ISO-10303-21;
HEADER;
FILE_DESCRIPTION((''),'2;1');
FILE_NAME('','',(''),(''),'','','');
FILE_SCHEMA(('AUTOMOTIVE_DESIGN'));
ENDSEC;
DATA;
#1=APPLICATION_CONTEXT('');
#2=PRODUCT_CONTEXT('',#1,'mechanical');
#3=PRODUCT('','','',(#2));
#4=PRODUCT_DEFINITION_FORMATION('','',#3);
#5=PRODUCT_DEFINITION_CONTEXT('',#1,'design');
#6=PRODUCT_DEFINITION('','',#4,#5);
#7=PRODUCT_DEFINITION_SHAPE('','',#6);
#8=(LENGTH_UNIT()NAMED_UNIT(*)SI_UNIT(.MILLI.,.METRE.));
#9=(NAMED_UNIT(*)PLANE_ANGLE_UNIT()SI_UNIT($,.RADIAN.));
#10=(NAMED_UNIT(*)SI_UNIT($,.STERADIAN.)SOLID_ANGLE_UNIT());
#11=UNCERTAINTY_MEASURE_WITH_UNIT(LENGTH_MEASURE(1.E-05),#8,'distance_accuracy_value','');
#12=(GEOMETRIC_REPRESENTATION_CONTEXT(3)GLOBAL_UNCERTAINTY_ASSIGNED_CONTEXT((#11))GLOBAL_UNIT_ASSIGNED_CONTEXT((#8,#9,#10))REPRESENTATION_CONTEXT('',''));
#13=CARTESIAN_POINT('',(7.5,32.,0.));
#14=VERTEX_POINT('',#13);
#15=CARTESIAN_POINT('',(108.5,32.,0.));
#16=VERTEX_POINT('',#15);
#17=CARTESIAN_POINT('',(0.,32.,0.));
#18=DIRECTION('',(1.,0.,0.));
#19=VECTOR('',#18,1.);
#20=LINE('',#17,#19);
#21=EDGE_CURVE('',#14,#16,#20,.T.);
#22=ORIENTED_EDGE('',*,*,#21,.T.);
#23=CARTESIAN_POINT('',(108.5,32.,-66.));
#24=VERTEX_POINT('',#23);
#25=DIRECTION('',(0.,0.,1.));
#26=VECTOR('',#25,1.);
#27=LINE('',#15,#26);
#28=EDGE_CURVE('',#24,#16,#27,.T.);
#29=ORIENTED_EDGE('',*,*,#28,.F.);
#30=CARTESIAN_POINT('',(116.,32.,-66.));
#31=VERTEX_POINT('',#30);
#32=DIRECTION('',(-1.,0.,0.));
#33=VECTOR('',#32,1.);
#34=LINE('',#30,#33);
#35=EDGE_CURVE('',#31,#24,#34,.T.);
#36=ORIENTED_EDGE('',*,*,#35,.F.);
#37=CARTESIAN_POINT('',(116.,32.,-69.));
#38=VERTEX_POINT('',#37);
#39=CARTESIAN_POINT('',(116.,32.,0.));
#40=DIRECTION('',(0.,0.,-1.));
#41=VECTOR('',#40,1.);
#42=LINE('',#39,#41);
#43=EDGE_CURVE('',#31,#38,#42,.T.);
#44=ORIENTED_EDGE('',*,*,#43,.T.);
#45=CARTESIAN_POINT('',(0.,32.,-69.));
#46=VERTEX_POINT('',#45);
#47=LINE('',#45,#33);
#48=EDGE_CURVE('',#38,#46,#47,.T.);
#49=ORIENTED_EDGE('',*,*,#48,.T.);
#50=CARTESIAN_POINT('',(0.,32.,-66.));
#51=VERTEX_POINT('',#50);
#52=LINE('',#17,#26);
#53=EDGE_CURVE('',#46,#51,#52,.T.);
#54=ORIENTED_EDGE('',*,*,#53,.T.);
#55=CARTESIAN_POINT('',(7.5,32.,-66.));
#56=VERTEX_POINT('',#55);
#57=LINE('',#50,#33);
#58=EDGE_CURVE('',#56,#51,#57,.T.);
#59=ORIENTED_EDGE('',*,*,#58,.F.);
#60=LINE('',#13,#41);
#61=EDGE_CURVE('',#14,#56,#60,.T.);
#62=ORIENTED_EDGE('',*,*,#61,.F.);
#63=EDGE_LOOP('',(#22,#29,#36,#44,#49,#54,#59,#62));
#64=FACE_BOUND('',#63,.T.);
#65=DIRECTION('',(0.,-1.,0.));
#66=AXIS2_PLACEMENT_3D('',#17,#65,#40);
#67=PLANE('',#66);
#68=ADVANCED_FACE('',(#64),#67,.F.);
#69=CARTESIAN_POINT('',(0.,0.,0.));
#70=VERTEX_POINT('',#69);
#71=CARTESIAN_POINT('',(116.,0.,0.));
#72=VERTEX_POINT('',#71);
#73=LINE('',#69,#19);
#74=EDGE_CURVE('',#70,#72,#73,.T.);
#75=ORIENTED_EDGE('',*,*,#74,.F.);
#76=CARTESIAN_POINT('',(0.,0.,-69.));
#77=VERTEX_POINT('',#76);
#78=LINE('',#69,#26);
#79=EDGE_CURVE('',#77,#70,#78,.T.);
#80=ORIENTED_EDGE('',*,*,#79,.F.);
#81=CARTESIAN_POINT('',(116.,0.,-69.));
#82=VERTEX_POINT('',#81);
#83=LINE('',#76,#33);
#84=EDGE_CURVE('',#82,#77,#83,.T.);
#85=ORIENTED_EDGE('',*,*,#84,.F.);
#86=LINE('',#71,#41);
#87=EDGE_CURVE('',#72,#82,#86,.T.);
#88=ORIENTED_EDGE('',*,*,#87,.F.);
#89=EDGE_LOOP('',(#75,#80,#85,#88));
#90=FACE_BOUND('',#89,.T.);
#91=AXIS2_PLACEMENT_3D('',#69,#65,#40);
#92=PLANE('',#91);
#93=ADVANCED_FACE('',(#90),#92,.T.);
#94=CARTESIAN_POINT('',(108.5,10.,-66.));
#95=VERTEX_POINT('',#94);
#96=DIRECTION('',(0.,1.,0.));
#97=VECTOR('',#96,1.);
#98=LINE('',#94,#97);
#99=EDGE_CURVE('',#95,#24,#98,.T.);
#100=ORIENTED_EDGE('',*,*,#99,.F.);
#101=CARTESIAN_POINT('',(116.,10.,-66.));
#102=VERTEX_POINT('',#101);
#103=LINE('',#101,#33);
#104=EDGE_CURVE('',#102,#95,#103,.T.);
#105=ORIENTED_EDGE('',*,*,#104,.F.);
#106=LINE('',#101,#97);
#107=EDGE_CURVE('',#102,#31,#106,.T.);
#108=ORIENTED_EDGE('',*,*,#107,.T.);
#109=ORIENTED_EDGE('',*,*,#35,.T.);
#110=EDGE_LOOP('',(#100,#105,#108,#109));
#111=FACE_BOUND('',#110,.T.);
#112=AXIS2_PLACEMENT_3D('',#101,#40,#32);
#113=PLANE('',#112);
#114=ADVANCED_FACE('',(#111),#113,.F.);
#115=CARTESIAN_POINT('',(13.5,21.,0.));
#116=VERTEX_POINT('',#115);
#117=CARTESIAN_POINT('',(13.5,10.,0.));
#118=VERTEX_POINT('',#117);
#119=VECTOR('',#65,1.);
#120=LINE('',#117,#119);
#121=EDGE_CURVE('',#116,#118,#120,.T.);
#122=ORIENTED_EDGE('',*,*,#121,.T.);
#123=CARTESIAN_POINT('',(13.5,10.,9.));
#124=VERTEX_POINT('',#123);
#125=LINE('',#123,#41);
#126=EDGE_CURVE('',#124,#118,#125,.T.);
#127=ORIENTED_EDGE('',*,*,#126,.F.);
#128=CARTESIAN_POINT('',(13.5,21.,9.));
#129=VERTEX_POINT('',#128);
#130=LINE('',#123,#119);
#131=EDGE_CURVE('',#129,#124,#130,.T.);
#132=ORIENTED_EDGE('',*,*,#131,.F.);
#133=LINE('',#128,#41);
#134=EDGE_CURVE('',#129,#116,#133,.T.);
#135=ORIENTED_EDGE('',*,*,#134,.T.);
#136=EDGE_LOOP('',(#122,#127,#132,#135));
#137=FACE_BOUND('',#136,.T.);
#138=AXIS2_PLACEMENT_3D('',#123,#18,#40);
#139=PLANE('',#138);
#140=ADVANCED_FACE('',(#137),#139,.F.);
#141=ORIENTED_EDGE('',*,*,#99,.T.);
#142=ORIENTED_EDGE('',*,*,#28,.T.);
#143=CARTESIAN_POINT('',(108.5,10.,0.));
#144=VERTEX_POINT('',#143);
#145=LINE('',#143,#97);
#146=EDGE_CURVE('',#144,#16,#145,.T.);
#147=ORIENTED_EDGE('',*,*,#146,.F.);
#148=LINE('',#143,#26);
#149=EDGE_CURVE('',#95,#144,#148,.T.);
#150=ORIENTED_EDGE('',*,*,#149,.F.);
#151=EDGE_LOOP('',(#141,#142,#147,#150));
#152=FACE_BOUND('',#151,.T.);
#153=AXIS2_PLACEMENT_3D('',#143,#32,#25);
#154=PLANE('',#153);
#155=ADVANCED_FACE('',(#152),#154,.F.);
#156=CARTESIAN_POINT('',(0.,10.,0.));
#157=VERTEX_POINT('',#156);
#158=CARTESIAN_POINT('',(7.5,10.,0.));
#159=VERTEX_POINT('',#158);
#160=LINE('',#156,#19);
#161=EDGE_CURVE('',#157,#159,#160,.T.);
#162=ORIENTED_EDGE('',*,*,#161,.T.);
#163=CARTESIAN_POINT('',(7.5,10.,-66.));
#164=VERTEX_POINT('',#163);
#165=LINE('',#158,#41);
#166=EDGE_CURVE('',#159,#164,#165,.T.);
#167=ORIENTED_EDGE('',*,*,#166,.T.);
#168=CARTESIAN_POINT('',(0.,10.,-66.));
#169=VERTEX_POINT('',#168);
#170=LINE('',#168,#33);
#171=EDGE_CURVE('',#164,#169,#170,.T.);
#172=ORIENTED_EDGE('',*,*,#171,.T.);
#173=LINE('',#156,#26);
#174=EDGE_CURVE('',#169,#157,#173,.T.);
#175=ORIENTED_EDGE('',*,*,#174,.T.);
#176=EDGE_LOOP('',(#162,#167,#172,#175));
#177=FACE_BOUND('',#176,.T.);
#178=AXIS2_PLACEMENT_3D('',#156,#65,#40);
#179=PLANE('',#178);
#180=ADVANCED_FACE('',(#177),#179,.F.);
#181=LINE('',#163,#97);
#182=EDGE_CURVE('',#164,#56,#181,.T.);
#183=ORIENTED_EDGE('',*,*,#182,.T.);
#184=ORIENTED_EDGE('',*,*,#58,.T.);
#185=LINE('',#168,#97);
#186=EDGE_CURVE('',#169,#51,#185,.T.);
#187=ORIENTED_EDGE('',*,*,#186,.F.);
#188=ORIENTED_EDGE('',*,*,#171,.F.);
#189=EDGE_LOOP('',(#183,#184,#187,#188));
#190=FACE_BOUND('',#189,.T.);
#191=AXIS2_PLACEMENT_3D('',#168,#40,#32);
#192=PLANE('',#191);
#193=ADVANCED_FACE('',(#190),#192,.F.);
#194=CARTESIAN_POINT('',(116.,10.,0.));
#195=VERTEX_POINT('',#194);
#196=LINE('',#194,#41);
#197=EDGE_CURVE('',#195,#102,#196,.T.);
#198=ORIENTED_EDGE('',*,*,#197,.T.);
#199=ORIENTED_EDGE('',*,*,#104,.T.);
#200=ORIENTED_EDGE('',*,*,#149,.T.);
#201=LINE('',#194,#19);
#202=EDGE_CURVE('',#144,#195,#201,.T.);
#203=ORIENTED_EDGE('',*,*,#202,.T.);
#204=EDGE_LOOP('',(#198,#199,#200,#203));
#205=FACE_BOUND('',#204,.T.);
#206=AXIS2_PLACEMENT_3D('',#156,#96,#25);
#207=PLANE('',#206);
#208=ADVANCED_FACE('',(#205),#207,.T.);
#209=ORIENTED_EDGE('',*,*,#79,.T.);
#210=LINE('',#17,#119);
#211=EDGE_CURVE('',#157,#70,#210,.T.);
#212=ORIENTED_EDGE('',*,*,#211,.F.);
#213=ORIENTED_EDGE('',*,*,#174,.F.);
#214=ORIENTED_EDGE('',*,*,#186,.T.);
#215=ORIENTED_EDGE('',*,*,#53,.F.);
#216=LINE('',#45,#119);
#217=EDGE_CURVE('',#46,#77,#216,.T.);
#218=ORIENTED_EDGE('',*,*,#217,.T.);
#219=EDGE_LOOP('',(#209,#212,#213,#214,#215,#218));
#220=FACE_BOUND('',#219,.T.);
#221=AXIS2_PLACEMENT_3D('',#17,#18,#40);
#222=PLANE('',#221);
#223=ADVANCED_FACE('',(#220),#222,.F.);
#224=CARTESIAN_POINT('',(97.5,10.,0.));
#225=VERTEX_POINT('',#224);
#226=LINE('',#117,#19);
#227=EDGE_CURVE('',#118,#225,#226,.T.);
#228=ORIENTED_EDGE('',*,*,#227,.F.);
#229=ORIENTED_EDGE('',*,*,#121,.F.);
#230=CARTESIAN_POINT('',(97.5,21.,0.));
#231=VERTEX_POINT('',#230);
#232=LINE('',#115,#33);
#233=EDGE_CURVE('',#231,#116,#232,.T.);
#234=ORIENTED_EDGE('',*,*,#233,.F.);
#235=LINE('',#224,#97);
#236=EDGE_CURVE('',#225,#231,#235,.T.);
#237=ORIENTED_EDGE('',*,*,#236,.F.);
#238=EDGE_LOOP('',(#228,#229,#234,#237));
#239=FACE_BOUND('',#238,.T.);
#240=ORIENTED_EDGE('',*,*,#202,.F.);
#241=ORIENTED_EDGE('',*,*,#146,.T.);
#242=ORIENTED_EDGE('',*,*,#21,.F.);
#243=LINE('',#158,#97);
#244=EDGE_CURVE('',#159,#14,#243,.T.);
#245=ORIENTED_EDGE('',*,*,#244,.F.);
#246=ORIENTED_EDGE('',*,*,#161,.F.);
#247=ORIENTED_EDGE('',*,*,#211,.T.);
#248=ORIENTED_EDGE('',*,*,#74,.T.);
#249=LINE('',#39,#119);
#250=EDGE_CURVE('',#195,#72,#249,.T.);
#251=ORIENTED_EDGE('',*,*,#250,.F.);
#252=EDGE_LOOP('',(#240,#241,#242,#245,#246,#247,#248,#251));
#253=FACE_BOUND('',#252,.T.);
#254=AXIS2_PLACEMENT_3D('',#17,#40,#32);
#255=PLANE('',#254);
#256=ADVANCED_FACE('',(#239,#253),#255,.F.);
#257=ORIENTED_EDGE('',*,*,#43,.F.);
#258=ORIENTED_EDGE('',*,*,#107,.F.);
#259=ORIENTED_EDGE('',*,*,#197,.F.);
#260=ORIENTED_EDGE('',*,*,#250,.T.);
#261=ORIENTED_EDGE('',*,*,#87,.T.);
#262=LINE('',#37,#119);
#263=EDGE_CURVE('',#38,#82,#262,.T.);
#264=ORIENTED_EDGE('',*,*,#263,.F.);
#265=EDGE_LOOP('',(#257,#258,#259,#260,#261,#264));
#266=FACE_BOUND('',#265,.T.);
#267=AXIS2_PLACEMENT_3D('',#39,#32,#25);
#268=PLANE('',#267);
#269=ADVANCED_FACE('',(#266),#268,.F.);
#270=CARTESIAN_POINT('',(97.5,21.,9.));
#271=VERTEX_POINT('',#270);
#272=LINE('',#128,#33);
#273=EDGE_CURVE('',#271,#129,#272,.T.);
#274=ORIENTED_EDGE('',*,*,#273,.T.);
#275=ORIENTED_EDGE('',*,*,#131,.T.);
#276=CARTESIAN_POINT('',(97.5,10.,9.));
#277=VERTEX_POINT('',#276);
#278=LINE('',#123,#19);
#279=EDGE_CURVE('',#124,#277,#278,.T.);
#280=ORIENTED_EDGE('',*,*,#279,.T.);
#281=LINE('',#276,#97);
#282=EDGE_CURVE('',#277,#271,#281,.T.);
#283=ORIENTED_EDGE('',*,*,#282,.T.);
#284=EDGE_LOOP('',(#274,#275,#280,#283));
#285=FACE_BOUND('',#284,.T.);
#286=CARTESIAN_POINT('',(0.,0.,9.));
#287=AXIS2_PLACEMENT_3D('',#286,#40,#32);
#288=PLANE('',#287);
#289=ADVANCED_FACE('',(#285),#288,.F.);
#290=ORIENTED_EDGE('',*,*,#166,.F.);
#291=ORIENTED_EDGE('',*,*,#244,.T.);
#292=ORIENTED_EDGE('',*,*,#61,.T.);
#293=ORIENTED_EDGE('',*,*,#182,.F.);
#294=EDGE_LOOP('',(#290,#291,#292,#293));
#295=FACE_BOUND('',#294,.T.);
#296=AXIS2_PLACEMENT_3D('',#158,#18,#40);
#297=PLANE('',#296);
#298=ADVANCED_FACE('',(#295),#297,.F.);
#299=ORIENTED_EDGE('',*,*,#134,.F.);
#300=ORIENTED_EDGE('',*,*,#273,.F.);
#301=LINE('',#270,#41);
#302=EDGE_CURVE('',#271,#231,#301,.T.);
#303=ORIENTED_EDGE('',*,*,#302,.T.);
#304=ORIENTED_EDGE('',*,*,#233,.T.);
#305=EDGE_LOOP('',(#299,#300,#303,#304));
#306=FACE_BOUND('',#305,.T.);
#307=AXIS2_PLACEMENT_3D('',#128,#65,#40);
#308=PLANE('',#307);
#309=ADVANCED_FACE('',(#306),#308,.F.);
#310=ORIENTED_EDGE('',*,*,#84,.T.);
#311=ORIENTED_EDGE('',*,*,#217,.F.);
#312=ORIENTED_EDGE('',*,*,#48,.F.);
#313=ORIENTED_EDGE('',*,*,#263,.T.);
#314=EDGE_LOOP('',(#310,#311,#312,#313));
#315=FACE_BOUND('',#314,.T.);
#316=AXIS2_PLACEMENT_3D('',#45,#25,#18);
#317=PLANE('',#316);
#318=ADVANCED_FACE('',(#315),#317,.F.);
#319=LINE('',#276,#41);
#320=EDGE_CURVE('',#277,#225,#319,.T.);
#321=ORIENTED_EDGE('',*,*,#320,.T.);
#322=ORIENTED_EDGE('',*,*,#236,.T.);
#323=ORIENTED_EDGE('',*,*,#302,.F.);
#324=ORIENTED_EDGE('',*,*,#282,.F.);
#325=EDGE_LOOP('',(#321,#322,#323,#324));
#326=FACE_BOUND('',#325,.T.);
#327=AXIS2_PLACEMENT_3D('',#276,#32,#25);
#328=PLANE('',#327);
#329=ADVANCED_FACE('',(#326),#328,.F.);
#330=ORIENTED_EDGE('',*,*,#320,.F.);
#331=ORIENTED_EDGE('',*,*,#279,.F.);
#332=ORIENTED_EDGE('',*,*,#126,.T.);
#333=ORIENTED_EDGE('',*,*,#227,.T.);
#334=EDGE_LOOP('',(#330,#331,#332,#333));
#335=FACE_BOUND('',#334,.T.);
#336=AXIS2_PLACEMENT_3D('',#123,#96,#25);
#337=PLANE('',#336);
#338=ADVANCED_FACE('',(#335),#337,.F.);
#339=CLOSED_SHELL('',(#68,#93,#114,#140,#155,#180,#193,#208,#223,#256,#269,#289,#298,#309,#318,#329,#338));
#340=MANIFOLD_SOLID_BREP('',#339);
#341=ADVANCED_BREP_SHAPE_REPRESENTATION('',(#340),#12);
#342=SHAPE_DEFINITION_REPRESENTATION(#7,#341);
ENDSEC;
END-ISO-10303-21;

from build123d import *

# Parameters (mm, degrees)
SKETCH_1_W          = 116
SKETCH_1_H          = 69
EXTRUDE_1_DEPTH     = 32
SKETCH_2_W          = 7.5
SKETCH_2_H          = 66
CUT_EXTRUDE_1_DEPTH = 22
SKETCH_3_W          = 84
SKETCH_3_H          = 11
EXTRUDE_2_DEPTH     = 9


with BuildPart() as part:
    # 草图1 → 凸台-拉伸1 (new body)
    with BuildSketch(Plane(origin=(0, 0, 0), x_dir=(1, 0, 0), z_dir=(0, 1, 0))):
        with Locations((58, 34.5)):
            Rectangle(SKETCH_1_W, SKETCH_1_H)
    extrude(amount=EXTRUDE_1_DEPTH)

    # 草图2 → 切除-拉伸1 (cut)
    with BuildSketch(Plane(origin=(0, 32, 0), x_dir=(1, 0, 0), z_dir=(0, 1, 0))):
        with Locations((112.25, 33)):
            Rectangle(SKETCH_2_W, SKETCH_2_H)
        with Locations((3.75, 33)):
            Rectangle(SKETCH_2_W, SKETCH_2_H)
    extrude(amount=-CUT_EXTRUDE_1_DEPTH, mode=Mode.SUBTRACT)

    # 草图3 → 凸台-拉伸2 (add)
    with BuildSketch(Plane.XY):
        with Locations((55.5, 15.5)):
            Rectangle(SKETCH_3_W, SKETCH_3_H)
    extrude(amount=EXTRUDE_2_DEPTH)


solid = part.part
